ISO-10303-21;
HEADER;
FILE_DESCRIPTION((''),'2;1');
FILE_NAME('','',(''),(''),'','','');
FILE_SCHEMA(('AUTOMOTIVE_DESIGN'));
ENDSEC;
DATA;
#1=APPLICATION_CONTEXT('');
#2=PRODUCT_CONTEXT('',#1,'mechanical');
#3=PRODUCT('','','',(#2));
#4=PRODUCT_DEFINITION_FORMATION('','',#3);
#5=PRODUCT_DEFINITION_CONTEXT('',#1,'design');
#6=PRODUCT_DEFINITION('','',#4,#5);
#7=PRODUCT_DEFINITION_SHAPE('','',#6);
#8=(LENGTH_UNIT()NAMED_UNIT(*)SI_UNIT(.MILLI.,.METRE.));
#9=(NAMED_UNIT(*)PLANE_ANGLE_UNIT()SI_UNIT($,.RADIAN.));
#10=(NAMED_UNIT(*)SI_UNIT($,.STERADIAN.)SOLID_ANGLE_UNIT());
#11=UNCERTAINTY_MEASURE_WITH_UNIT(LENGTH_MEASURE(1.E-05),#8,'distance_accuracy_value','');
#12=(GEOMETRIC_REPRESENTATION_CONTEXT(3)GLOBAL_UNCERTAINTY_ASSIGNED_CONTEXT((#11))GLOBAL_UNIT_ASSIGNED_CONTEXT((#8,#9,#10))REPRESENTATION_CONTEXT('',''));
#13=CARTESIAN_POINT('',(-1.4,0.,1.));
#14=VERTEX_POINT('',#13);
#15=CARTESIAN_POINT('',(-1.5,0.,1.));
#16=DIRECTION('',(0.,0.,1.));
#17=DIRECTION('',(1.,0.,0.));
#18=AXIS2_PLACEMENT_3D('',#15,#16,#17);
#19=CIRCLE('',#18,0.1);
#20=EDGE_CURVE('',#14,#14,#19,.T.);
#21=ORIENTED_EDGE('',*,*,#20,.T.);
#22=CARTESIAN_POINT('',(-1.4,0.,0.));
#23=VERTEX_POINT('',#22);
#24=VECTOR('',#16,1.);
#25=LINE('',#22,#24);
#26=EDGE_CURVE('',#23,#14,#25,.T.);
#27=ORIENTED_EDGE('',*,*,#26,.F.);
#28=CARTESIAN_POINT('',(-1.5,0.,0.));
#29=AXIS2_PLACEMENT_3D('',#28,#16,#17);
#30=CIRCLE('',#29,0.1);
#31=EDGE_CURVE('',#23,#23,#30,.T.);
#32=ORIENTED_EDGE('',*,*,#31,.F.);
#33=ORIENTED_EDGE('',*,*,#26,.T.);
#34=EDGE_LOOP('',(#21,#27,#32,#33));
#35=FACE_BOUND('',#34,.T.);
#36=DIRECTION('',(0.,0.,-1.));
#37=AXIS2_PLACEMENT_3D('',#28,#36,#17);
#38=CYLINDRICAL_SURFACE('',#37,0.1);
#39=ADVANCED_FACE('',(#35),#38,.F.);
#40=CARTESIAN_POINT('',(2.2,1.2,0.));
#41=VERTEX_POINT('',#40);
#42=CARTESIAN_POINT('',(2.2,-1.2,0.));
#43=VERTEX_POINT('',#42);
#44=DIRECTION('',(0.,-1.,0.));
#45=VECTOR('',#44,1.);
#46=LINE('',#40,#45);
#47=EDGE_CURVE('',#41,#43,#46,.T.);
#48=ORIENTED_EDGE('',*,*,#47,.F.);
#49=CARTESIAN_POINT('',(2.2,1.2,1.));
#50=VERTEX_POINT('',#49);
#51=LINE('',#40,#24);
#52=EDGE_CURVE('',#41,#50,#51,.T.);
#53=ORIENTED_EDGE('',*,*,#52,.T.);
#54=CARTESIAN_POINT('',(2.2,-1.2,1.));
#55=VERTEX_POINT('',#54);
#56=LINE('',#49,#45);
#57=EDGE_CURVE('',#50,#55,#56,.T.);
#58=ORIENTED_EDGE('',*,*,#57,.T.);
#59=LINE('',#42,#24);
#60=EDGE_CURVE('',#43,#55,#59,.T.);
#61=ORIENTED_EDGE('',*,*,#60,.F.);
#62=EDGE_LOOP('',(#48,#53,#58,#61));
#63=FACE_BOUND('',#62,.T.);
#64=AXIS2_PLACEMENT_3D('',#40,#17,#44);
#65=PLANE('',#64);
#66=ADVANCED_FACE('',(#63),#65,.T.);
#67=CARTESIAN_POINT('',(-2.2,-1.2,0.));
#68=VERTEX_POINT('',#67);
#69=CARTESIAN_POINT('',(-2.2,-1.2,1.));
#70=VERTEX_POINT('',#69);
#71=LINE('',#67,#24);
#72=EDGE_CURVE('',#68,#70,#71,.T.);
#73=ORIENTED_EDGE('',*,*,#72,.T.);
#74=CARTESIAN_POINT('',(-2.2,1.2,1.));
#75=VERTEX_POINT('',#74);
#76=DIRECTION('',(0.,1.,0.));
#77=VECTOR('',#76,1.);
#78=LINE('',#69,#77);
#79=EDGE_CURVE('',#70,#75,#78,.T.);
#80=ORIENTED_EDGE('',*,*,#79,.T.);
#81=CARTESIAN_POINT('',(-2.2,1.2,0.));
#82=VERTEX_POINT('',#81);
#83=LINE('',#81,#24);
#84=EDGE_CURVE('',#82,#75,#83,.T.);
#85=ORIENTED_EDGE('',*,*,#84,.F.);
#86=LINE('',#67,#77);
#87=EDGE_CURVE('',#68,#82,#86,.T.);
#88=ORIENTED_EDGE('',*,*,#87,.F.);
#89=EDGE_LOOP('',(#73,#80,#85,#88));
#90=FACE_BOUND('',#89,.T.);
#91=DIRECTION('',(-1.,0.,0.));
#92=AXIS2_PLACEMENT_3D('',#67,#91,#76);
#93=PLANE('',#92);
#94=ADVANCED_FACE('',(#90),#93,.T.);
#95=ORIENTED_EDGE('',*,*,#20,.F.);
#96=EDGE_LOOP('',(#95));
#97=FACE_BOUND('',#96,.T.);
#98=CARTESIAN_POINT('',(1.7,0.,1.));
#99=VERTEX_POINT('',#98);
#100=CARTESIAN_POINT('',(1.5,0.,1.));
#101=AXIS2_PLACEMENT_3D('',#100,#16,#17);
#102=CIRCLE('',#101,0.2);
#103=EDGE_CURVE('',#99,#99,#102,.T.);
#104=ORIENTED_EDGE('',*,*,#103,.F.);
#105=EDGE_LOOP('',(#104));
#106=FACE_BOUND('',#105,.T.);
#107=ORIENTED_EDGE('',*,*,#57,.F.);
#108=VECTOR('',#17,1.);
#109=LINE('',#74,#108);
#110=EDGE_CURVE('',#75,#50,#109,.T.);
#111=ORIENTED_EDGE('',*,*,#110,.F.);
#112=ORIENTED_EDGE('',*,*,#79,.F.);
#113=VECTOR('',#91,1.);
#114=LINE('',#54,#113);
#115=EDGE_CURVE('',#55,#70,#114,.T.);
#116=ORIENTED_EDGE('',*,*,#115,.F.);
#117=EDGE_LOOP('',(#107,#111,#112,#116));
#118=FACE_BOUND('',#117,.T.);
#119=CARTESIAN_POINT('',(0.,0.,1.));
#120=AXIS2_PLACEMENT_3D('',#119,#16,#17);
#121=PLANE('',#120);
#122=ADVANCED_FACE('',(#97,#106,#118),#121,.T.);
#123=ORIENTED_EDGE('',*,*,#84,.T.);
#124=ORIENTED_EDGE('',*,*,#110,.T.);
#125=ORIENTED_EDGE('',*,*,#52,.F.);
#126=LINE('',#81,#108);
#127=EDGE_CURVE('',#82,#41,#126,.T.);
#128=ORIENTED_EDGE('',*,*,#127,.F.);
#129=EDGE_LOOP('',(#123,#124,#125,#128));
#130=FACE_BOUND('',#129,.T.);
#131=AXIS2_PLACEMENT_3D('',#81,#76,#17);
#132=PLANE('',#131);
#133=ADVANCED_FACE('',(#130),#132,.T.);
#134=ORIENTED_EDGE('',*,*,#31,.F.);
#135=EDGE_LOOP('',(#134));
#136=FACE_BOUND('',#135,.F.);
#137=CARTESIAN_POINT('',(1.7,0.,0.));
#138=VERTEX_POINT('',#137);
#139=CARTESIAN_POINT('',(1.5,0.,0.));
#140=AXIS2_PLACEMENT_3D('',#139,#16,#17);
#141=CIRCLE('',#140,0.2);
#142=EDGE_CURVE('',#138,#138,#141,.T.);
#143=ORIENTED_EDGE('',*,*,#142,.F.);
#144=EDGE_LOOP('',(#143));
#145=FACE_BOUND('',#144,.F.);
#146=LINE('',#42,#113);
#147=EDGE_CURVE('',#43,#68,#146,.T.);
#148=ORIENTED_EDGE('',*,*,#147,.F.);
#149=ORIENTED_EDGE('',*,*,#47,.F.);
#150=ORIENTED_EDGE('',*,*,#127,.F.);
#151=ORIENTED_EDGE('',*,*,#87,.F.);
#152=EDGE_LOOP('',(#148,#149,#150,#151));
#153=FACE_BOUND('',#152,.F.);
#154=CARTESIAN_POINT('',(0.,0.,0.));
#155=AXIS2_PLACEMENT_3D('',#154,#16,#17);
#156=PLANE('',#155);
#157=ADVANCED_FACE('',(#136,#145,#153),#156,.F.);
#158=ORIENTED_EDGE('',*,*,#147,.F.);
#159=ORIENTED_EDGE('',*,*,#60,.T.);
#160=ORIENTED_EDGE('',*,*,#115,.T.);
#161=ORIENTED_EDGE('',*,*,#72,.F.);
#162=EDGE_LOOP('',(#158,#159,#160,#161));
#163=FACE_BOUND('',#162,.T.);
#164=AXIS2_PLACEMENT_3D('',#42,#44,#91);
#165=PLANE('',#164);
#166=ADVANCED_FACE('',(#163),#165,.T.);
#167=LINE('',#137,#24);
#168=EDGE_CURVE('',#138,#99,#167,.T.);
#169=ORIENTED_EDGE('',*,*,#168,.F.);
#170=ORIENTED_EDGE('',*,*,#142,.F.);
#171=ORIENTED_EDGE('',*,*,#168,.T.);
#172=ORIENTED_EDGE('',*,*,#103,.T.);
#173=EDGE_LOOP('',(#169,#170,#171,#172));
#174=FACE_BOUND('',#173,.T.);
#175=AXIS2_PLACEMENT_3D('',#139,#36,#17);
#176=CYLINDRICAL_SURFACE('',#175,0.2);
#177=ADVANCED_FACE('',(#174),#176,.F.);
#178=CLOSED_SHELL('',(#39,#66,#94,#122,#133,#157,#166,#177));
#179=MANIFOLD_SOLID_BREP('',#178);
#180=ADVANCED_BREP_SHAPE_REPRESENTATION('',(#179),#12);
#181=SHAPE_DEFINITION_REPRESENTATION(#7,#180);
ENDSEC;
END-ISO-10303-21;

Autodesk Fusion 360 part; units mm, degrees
sketch "Sketch1" plane through (0, 0, 0) normal (0, 0, 1) x (1, 0, 0)
  line L0 (-2.2, 1.2) -> (2.2, 1.2)
  line L1 (2.2, 1.2) -> (2.2, -1.2)
  line L2 (2.2, -1.2) -> (-2.2, -1.2)
  line L3 (-2.2, -1.2) -> (-2.2, 1.2)
  circle A0 centre (-1.5, 0) radius 0.1
  circle A1 centre (1.5, 0) radius 0.2
  dimension "d3" = 0.2
  dimension "d4" = 0.4
extrude "Extrude1" add sketch "Sketch1" along normal blind 1
